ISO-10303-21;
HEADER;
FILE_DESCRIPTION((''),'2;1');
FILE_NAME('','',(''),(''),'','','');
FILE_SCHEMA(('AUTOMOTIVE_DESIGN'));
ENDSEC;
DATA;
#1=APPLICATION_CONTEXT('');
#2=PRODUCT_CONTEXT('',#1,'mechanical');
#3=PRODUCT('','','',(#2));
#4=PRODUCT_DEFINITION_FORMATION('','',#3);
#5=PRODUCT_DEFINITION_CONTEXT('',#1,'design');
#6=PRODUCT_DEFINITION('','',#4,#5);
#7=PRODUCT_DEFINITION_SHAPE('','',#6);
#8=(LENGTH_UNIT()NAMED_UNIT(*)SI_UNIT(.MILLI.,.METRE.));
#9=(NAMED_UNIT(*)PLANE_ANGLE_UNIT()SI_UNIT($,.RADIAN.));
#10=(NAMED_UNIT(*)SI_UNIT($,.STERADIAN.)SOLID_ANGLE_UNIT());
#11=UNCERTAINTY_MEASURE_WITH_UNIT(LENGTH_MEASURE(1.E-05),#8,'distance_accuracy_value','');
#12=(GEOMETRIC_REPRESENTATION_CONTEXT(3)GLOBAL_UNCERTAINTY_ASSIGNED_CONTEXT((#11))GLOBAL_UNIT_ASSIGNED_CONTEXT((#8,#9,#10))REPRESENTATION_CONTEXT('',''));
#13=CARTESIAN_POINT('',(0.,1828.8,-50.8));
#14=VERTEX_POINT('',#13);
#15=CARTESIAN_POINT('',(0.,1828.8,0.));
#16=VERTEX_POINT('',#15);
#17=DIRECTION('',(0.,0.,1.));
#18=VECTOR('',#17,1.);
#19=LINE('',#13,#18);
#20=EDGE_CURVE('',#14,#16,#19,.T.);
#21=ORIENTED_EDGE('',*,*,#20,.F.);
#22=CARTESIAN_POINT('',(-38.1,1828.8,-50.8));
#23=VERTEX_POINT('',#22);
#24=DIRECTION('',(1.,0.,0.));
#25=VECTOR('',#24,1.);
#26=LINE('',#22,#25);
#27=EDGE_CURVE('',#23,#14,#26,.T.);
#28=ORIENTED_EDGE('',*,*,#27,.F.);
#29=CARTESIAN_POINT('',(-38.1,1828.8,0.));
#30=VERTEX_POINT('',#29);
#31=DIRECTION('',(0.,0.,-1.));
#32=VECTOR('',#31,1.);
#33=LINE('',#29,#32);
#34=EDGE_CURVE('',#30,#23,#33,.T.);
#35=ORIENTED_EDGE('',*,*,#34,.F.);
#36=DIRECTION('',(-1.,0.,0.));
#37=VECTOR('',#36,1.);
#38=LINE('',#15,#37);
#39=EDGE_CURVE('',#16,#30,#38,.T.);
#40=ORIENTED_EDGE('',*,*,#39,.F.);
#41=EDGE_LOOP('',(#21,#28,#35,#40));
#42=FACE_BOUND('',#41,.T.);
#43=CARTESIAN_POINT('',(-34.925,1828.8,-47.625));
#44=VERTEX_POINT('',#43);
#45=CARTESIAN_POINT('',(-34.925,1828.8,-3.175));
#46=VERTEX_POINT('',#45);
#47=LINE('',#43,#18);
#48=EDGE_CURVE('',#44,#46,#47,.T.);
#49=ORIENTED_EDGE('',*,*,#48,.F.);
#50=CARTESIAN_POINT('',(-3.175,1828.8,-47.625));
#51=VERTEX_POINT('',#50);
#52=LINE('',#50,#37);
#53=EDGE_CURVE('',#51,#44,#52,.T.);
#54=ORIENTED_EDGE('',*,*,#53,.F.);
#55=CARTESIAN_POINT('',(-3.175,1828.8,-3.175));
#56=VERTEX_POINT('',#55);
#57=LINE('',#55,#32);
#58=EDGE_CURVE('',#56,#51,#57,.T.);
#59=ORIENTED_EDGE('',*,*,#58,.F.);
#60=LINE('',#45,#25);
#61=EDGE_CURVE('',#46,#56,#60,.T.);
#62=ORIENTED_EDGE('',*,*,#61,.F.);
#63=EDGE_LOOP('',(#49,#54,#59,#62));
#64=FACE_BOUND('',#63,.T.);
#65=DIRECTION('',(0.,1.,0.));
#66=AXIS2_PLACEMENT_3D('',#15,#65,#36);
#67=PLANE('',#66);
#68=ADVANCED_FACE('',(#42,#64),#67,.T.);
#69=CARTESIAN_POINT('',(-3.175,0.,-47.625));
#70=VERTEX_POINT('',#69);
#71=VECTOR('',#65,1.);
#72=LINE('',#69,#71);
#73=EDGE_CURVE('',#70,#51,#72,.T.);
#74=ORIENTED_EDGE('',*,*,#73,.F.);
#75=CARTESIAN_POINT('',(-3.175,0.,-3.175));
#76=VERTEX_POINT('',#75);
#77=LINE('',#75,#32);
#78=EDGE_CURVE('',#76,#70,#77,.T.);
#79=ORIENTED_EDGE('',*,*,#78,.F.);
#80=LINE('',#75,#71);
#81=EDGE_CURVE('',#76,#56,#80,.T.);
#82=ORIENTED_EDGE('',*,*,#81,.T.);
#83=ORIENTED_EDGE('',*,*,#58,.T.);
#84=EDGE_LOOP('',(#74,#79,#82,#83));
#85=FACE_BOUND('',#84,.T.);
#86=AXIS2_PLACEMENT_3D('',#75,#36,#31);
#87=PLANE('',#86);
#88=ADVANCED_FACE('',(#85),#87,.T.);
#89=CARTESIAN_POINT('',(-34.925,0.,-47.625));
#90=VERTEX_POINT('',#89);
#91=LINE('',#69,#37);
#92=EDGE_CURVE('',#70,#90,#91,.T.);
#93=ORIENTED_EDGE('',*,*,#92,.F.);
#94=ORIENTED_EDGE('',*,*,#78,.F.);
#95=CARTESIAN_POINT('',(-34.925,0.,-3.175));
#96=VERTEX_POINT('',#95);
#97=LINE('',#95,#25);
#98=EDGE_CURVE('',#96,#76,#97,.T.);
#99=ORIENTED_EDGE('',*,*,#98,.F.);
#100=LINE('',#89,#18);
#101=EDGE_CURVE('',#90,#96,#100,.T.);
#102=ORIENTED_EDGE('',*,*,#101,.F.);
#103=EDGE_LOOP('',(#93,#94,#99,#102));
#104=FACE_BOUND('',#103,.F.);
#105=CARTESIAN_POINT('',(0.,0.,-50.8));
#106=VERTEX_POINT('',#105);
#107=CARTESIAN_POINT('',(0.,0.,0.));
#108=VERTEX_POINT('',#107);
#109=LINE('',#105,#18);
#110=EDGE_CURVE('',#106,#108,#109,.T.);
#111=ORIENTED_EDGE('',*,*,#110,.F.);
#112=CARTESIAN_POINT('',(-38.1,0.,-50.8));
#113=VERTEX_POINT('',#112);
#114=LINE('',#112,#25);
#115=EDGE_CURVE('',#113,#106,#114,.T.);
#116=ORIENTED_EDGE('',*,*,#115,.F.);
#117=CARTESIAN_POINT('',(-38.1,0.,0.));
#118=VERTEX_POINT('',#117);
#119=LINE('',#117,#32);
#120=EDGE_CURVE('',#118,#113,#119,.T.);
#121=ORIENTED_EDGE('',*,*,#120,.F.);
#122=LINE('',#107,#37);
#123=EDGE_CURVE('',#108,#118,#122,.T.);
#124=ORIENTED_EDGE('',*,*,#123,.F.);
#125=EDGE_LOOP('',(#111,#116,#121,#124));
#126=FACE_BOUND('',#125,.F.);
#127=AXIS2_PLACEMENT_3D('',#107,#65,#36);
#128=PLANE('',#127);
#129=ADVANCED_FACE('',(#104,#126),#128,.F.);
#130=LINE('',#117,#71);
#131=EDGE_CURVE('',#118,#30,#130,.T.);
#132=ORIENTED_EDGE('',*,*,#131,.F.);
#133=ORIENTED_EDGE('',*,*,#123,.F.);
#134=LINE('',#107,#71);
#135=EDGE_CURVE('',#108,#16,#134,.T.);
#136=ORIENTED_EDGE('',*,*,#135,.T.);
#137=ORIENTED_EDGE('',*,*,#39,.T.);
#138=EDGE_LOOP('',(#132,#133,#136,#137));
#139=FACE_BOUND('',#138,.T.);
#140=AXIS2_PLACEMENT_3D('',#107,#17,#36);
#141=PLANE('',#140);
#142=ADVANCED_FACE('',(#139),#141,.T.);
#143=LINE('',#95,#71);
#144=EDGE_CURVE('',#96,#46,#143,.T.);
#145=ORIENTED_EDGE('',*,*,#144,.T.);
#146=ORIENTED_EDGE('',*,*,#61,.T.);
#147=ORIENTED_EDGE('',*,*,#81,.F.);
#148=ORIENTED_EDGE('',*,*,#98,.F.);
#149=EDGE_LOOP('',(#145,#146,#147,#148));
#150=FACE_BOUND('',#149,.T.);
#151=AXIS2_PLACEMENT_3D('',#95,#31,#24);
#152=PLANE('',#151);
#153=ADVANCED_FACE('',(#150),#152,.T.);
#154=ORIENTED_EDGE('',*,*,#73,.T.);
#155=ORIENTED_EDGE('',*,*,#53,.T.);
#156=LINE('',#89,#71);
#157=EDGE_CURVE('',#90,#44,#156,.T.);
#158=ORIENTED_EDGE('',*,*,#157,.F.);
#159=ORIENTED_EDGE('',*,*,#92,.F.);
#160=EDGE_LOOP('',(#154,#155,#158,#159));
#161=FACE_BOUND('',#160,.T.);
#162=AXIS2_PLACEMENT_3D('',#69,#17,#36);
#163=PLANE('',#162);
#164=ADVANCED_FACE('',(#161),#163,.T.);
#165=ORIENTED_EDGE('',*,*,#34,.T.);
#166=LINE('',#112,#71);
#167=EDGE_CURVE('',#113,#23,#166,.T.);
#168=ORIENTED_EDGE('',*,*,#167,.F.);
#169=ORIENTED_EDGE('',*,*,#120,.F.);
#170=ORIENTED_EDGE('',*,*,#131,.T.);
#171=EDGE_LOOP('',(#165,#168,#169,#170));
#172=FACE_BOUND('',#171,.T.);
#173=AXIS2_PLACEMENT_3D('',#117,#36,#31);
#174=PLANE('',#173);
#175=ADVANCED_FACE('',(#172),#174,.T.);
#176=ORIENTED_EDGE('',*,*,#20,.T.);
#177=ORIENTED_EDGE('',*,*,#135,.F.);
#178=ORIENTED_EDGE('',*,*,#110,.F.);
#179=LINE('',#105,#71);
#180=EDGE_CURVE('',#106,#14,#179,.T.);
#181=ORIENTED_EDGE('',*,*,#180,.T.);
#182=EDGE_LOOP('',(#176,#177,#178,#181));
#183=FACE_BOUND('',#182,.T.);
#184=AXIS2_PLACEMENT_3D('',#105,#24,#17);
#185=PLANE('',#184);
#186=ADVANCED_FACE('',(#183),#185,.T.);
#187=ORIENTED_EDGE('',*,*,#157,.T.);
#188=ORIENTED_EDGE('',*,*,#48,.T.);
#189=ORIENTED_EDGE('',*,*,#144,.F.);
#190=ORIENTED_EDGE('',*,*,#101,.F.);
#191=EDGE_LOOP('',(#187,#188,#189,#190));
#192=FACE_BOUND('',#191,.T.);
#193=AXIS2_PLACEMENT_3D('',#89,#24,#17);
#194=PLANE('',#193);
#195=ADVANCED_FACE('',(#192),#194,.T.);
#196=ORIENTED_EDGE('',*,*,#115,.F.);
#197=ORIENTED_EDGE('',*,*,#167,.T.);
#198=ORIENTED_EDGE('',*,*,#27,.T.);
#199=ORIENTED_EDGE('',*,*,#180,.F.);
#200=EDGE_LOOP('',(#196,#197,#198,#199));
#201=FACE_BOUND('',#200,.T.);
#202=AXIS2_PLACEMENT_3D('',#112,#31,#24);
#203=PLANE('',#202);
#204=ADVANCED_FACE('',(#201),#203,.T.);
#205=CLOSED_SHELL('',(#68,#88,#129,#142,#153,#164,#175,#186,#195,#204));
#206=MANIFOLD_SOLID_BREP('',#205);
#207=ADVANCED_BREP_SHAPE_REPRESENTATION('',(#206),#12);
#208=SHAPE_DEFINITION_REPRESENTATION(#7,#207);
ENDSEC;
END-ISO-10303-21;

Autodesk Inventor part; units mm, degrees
ref_plane "YZ Plane" through (0, 0, 0) normal (1, 0, 0) x (0, 1, 0)
ref_plane "XZ Plane" through (0, 0, 0) normal (0, 1, 0) x (-1, 0, 0)
ref_plane "XY Plane" through (0, 0, 0) normal (0, 0, 1) x (1, 0, 0)
sketch "Sketch1" plane through (0, 0, 0) normal (0, 1, 0) x (-1, 0, 0)
  line L0 (0, 0) -> (38.1, 0)
  line L1 (38.1, 0) -> (38.1, -50.8)
  line L2 (38.1, -50.8) -> (0, -50.8)
  line L3 (0, -50.8) -> (0, 0)
  line L4 (3.175, -47.625) -> (34.925, -47.625)
  line L5 (34.925, -47.625) -> (34.925, -3.175)
  line L6 (34.925, -3.175) -> (3.175, -3.175)
  line L7 (3.175, -3.175) -> (3.175, -47.625)
  dimension "d0" = 38.1
  dimension "d1" = 50.8
  dimension "d2" = 3.175
extrude "Extrusion1" add sketch "Sketch1" along normal blind 1828.8
properties part number "squareTube1.5x2-01"
